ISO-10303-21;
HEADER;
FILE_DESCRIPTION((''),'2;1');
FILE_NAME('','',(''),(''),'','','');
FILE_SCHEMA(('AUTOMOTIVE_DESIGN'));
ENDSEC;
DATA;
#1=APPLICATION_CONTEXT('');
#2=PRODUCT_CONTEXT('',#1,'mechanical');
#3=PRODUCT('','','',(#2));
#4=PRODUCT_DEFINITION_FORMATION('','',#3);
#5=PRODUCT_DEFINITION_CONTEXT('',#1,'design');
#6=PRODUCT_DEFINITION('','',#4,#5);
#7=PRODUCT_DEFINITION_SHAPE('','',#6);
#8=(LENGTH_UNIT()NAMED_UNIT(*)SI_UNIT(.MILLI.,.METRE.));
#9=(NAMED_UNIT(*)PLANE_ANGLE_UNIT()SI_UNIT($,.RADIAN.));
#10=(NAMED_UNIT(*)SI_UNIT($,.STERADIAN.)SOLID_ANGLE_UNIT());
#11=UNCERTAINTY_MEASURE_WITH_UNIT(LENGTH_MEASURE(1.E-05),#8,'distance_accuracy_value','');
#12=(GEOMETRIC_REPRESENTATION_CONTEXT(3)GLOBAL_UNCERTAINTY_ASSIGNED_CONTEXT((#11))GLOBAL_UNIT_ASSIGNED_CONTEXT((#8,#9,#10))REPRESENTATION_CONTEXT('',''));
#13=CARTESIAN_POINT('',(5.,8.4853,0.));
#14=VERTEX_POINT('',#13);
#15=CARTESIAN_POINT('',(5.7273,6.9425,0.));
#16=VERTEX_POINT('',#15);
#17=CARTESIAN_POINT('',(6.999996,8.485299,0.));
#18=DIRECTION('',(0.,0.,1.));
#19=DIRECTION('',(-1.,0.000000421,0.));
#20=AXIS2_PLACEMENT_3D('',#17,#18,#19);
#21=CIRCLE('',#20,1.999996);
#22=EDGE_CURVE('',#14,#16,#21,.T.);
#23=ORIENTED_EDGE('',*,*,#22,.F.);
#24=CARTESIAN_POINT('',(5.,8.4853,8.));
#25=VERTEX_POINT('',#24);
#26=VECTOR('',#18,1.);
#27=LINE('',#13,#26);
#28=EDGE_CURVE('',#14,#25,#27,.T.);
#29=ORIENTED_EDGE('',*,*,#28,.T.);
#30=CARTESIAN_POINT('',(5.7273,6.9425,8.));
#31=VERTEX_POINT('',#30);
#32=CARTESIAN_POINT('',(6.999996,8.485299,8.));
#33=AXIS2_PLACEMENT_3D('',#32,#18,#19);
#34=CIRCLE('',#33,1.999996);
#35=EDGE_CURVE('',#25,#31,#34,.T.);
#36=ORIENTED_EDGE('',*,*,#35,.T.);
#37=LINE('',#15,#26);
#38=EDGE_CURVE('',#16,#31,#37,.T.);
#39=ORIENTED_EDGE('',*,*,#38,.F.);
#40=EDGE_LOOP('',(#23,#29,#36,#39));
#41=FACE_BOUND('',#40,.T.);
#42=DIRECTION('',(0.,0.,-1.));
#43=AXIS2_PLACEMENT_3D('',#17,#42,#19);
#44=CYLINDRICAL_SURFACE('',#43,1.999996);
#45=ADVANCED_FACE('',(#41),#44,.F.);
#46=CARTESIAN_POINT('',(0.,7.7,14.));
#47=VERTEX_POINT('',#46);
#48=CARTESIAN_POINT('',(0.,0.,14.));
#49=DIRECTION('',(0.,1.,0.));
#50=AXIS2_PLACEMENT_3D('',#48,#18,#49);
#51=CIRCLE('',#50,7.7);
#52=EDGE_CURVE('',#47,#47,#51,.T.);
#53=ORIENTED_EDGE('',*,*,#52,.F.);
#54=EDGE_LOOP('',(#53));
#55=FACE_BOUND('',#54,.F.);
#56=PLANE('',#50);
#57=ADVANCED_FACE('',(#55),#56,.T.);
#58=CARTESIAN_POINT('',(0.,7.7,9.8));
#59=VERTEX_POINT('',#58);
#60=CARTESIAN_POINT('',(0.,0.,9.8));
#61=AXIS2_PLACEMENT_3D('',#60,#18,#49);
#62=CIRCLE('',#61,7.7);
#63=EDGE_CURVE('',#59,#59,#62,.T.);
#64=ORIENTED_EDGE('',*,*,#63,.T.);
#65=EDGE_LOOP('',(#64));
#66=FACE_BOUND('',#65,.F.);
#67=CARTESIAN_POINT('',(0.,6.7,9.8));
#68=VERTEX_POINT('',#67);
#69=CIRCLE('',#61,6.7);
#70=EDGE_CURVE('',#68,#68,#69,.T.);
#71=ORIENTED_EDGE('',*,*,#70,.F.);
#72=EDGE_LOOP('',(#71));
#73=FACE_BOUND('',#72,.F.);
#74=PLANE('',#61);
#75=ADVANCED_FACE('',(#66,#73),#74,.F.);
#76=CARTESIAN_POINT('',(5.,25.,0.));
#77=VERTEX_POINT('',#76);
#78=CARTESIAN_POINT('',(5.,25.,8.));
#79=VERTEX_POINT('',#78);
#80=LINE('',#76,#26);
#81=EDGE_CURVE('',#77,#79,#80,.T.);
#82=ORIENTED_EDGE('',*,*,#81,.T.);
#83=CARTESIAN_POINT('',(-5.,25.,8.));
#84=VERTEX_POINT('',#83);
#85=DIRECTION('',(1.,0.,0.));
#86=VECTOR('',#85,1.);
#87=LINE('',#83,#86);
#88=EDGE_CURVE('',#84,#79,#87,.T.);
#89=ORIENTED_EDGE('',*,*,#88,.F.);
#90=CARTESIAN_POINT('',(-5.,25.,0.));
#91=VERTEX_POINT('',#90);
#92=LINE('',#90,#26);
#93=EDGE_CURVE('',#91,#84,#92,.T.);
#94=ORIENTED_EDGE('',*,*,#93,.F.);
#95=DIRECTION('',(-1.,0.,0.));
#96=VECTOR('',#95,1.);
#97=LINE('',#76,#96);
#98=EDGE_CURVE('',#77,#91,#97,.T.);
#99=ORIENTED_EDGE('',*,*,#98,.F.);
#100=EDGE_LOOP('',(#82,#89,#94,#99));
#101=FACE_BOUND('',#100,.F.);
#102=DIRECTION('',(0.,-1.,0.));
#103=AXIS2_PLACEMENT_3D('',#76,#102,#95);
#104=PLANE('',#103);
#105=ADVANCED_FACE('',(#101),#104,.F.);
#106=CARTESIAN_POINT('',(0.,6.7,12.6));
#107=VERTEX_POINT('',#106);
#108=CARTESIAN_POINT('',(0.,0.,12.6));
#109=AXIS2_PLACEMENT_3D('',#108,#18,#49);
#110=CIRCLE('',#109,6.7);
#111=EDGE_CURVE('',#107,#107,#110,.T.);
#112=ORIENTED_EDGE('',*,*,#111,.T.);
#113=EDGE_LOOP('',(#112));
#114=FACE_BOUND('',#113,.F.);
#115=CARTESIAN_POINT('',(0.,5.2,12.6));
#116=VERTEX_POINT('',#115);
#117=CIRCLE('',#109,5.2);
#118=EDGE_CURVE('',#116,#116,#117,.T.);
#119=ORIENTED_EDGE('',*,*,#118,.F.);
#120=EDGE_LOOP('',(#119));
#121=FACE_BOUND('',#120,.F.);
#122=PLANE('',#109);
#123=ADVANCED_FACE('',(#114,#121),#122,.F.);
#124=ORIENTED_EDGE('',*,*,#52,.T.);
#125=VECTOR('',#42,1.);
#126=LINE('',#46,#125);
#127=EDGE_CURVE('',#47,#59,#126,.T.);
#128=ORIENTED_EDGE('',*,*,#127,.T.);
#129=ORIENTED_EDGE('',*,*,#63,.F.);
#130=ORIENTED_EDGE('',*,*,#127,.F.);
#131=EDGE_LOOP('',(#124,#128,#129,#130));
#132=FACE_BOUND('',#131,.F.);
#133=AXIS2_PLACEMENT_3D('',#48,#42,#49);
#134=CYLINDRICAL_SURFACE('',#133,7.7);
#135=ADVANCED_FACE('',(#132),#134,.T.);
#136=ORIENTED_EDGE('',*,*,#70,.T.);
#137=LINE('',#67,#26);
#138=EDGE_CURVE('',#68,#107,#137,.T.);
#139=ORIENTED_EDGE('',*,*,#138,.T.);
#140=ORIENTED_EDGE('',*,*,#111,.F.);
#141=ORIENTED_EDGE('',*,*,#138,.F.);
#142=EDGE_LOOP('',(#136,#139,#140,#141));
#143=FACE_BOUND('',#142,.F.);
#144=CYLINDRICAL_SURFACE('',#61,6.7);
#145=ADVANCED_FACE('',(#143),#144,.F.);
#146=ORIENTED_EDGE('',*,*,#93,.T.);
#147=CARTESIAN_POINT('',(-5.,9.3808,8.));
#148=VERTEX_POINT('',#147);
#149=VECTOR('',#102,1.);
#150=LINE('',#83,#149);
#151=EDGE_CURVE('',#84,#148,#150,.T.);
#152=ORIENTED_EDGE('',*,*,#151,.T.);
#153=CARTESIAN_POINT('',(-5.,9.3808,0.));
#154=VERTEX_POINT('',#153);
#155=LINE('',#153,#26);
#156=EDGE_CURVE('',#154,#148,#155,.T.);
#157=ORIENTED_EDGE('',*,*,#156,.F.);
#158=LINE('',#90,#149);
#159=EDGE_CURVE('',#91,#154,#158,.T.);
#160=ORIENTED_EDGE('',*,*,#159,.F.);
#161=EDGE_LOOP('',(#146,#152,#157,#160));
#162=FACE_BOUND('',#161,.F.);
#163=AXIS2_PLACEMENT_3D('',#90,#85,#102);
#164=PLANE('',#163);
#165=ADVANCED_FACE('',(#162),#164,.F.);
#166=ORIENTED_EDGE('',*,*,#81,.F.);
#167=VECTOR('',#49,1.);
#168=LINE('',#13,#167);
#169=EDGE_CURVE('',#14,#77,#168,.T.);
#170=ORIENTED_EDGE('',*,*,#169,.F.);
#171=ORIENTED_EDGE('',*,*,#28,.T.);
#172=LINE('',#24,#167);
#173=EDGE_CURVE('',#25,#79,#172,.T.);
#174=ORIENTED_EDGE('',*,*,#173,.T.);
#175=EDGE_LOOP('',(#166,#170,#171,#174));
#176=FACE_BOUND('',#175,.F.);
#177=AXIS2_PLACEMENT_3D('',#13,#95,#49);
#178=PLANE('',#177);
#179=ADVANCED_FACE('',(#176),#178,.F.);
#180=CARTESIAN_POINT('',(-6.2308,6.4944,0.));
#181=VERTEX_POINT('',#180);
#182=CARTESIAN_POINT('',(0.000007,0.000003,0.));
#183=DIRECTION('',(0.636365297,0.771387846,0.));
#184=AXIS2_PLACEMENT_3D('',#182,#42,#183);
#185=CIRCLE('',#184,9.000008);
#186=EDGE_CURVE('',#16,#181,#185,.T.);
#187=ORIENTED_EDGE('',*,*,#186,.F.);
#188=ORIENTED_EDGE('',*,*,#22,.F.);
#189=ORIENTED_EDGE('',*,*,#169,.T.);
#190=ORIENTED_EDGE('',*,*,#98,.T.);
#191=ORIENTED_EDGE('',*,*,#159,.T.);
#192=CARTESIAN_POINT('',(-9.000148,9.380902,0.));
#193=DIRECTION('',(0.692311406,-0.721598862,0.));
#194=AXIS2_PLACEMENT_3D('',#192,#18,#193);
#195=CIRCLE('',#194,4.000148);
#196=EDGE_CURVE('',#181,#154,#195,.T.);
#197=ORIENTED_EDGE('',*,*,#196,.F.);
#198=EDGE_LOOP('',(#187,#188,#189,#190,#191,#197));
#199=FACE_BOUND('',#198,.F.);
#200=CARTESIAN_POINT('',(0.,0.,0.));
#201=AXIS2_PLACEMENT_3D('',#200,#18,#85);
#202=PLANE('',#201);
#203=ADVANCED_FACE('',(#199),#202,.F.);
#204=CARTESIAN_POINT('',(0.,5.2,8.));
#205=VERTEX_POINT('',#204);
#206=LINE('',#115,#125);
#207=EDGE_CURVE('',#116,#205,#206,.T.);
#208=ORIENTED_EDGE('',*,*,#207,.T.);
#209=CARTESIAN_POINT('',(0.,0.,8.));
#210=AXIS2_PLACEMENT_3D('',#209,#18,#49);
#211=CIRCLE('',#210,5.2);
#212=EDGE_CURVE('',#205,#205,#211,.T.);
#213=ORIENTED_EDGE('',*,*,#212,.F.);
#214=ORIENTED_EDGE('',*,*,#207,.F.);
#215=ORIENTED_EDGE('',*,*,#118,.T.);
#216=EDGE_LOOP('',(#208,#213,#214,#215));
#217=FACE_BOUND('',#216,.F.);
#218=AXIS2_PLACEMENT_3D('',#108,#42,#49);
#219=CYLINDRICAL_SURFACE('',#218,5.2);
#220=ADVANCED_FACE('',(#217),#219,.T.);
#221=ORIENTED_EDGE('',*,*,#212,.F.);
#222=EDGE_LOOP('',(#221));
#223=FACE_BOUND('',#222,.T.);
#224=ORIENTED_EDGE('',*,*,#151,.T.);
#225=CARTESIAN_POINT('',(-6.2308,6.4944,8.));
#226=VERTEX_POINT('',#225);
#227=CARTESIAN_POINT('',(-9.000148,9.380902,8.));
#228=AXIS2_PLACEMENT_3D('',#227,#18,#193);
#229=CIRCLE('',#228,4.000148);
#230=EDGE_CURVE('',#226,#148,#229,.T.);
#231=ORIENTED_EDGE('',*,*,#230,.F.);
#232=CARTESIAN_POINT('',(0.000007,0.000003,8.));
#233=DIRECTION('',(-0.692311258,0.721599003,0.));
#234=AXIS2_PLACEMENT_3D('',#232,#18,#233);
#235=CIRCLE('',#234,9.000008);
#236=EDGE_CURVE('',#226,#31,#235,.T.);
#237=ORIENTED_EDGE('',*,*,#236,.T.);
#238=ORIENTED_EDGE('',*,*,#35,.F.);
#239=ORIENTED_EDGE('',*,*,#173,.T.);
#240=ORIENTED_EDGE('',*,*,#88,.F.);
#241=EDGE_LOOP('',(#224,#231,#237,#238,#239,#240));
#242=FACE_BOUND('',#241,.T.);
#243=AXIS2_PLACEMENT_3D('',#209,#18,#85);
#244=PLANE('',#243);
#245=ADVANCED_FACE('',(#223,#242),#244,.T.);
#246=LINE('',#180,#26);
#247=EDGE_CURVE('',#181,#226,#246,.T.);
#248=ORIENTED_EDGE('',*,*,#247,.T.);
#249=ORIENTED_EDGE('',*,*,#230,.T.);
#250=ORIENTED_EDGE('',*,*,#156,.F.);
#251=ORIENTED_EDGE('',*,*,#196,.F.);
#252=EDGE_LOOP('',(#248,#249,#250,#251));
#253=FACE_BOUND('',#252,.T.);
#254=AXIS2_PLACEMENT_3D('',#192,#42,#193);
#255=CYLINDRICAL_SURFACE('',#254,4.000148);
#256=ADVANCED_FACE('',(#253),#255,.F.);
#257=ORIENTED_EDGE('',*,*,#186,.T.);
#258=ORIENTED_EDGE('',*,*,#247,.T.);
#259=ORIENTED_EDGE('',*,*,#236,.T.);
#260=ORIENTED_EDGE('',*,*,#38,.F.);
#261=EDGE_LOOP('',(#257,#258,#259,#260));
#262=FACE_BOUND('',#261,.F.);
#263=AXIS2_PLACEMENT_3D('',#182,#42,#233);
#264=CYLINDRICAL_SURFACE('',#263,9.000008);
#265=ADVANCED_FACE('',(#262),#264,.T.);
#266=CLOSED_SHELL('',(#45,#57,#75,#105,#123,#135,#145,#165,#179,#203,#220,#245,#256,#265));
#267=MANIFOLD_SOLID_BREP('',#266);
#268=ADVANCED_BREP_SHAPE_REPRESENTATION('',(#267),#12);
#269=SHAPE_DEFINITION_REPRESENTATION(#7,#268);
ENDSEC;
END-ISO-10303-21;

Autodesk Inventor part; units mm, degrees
ref_plane "YZ Plane" through (0, 0, 0) normal (1, 0, 0) x (0, 1, 0)
ref_plane "XZ Plane" through (0, 0, 0) normal (0, 1, 0) x (-1, 0, 0)
ref_plane "XY Plane" through (0, 0, 0) normal (0, 0, 1) x (1, 0, 0)
sketch "Skizze1" plane through (0, 0, 0) normal (0, 0, 1) x (1, 0, 0)
  line L0 (5, 25) -> (-5, 25)
  line L1 (-5, 25) -> (-5, 9.3808)
  line L2 (5, 8.4853) -> (5, 25)
  arc A0 (-6.2308, 6.4944) -> (5.7273, 6.9425) centre (0, 0) ccw
  arc A1 (5, 8.4853) -> (5.7273, 6.9425) centre (7, 8.4853) ccw
  arc A2 (-6.2308, 6.4944) -> (-5, 9.3808) centre (-9, 9.3808) ccw
  line L3 (0, -25.0931) -> (0, 22.9698)
  line L4 (0, 35.0186) -> (0, -35.1118) projected
  point P0 (0, 0)
  point P1 (0, 0)
  point P2 (-5, 7.4833)
  point P3 (5, 7.4833)
  dimension "d1" = 18
  dimension "d2" = 5
  dimension "d3" = 2
  dimension "d4" = 4
  dimension "d5" = 10
  dimension "d6" = 5
  dimension "d7" = 0
  dimension "d8" = 25
  dimension "d9" = 0
  dimension "d10" = 0
extrude "Extrusion1" add sketch "Skizze1" along normal blind 8
sketch "Skizze3" plane through (0, 0, 0) normal (1, 0, 0) x (0, 1, 0)
  line L0 (6.9425, 8) -> (-9, 8) projected
  line L1 (0, 14) -> (4.9, 14)
  line L2 (5.2, 12.6) -> (5.2, 8)
  line L3 (5.2, 8) -> (0, 8)
  line L4 (0, 8) -> (0, 14)
  line L5 (4.9, 14) -> (7.7, 14)
  line L6 (7.7, 14) -> (7.7, 9.8)
  line L7 (7.7, 9.8) -> (6.7, 9.8)
  line L8 (6.7, 9.8) -> (6.7, 12.6)
  line L9 (6.7, 12.6) -> (5.2, 12.6)
  point P0 (0, 0)
  point P1 (6.4944, 8)
  point P2 (6.7, 11.2)
  point P3 (5.95, 12.6)
  point P4 (7.2, 9.8)
  dimension "d13" = 6
  dimension "d14" = 5.2
  dimension "d15" = 1
  dimension "d16" = 1.5
  dimension "d17" = 1.4
  dimension "d18" = 2.8
revolve "Umdrehung1" add sketch "Skizze3" angle 360 about axis through (0, 0, 8) along (0, 0, 1)
properties part number "alternativeJoint2"
